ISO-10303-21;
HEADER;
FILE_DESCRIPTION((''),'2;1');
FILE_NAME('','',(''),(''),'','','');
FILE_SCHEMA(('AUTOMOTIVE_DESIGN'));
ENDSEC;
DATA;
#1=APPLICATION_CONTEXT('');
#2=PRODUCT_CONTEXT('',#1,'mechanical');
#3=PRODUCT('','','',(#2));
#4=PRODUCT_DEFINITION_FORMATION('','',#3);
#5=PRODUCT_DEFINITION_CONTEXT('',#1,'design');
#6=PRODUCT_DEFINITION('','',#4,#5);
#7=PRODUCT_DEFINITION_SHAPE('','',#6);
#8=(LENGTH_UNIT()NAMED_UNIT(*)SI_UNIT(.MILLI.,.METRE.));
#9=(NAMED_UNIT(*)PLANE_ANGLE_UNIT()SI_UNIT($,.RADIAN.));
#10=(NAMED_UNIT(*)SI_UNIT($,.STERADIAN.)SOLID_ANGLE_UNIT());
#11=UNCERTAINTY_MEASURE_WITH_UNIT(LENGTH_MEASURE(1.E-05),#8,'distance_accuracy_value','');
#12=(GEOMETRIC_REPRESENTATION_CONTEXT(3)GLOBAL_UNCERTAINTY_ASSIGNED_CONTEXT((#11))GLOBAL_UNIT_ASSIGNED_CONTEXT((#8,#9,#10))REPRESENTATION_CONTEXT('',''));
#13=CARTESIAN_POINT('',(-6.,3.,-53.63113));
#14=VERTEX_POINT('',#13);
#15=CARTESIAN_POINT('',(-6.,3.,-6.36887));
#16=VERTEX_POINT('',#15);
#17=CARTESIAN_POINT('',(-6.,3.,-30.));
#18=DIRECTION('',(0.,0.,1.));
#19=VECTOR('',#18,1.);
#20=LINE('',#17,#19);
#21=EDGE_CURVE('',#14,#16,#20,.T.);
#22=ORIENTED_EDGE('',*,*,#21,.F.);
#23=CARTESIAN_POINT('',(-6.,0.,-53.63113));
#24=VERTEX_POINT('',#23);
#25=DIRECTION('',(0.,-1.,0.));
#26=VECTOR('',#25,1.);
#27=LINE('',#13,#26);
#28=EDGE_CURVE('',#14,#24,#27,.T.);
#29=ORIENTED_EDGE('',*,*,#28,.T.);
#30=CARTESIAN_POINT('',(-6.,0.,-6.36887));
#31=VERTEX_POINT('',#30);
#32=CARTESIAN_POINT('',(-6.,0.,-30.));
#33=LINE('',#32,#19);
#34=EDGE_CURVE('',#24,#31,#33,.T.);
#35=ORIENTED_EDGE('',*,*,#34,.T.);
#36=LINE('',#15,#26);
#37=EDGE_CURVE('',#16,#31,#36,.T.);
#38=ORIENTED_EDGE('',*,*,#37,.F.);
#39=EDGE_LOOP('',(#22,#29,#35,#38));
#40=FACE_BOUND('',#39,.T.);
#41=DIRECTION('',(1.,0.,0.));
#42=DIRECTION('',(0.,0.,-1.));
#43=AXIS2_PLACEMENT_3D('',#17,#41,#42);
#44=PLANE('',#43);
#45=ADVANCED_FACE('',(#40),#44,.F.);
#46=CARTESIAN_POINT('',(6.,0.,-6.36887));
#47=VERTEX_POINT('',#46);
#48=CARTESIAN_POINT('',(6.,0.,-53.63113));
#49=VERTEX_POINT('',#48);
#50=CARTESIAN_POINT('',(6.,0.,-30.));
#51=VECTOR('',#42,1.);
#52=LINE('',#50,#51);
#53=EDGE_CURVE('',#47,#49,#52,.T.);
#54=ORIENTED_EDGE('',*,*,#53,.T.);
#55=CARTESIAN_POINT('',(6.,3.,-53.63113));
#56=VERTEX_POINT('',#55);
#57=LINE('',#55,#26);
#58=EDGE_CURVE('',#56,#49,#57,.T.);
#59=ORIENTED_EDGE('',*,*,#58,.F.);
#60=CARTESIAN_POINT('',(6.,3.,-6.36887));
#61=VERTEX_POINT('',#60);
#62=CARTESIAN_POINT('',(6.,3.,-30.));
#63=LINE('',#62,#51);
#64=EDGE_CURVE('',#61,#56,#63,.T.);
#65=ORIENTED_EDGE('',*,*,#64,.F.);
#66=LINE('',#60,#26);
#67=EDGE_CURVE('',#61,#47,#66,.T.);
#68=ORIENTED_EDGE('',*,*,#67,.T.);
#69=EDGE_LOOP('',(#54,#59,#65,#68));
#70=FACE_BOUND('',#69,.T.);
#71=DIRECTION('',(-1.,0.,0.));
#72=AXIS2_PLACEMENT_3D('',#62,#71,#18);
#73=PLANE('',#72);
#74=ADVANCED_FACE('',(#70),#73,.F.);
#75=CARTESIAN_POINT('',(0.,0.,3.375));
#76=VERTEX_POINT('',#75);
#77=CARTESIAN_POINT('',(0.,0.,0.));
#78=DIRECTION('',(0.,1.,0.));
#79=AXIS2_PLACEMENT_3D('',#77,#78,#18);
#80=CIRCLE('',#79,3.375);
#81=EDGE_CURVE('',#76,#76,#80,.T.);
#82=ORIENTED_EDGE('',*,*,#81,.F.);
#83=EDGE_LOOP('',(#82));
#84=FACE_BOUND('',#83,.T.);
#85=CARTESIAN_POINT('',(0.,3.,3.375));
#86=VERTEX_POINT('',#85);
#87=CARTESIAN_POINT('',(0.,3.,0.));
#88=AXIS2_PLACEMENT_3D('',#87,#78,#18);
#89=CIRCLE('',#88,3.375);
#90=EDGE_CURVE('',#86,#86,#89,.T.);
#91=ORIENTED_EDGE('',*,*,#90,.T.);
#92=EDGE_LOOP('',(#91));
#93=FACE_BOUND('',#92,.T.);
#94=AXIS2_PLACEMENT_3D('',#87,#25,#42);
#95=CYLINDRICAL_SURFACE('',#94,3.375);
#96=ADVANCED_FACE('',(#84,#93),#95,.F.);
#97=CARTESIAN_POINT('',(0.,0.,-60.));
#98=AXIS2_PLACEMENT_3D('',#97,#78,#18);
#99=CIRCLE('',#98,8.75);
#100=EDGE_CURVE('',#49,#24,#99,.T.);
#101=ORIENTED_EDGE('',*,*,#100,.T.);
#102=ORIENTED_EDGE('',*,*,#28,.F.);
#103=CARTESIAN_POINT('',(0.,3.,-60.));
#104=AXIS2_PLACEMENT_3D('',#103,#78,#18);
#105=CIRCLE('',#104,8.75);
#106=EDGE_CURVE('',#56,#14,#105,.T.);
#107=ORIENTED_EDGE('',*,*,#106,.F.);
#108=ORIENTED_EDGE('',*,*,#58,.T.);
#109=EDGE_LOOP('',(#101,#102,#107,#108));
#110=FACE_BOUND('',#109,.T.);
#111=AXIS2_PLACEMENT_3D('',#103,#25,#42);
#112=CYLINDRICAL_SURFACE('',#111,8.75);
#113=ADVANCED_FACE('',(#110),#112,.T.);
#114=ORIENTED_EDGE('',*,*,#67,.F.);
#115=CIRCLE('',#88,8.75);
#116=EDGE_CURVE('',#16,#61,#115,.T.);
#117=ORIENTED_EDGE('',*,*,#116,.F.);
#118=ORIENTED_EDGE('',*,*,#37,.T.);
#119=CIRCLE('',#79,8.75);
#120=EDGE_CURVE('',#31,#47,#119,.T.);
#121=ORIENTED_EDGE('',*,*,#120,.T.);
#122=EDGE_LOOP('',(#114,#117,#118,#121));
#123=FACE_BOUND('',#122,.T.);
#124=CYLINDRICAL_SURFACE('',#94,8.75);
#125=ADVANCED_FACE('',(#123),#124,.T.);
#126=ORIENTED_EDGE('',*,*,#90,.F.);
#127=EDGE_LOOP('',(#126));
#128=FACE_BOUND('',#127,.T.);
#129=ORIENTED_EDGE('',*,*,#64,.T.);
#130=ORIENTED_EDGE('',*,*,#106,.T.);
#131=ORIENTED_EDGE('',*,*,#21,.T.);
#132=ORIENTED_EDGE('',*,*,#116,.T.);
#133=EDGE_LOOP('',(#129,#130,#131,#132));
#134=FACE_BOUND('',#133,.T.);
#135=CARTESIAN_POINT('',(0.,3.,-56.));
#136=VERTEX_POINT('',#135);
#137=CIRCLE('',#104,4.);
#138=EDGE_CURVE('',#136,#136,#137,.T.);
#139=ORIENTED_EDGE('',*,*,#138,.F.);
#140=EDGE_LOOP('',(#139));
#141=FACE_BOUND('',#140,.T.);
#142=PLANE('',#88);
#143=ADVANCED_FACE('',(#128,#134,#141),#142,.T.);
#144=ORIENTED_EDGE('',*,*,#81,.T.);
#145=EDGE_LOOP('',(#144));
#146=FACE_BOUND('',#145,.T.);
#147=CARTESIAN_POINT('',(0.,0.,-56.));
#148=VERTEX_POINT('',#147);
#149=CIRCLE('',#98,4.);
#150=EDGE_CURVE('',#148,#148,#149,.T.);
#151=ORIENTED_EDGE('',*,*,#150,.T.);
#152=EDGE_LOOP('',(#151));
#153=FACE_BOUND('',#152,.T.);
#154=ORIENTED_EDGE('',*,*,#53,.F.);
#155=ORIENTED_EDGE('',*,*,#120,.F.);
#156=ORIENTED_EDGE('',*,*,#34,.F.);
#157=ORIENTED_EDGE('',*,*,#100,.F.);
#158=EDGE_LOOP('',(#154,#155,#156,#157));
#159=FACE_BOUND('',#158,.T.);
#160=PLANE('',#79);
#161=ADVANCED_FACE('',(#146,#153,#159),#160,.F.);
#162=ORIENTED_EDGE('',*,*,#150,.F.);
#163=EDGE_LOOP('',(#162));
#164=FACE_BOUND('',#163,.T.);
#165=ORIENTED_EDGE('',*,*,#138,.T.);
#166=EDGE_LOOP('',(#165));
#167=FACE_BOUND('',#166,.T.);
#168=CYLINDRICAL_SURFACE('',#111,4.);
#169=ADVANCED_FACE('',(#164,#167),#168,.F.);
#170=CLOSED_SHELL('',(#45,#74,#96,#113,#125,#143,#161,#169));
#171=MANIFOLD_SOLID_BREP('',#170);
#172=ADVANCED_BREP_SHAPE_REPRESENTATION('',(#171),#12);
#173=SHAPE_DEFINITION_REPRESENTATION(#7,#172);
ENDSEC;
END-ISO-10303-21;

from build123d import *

# Parameters (mm, degrees)
CROQUIS1_R              = 4
CROQUIS1_R_2            = 3.375
SALIENTE_EXTRUIR1_DEPTH = 3


with BuildPart() as part:
    # Croquis1 → Saliente-Extruir1 (new body)
    with BuildSketch(Plane(origin=(0, 0, 0), x_dir=(1, 0, 0), z_dir=(0, 1, 0))):
        with BuildLine():
            Line((-6, 30), (-6, 53.631130399))
            ThreePointArc((-6, 53.631130399), (0, 68.75), (6, 53.631130399))
            Line((6, 53.631130399), (6, 30))
            Line((6, 30), (6, 6.368869601))
            ThreePointArc((6, 6.368869601), (0, -8.75), (-6, 6.368869601))
            Line((-6, 6.368869601), (-6, 30))
        make_face()
        with Locations(Location((0, 60, 0), (0, 0, 270))):
            Circle(CROQUIS1_R, mode=Mode.SUBTRACT)
        with Locations(Location((0, 0, 0), (0, 0, 270))):
            Circle(CROQUIS1_R_2, mode=Mode.SUBTRACT)
    extrude(amount=SALIENTE_EXTRUIR1_DEPTH)


solid = part.part
